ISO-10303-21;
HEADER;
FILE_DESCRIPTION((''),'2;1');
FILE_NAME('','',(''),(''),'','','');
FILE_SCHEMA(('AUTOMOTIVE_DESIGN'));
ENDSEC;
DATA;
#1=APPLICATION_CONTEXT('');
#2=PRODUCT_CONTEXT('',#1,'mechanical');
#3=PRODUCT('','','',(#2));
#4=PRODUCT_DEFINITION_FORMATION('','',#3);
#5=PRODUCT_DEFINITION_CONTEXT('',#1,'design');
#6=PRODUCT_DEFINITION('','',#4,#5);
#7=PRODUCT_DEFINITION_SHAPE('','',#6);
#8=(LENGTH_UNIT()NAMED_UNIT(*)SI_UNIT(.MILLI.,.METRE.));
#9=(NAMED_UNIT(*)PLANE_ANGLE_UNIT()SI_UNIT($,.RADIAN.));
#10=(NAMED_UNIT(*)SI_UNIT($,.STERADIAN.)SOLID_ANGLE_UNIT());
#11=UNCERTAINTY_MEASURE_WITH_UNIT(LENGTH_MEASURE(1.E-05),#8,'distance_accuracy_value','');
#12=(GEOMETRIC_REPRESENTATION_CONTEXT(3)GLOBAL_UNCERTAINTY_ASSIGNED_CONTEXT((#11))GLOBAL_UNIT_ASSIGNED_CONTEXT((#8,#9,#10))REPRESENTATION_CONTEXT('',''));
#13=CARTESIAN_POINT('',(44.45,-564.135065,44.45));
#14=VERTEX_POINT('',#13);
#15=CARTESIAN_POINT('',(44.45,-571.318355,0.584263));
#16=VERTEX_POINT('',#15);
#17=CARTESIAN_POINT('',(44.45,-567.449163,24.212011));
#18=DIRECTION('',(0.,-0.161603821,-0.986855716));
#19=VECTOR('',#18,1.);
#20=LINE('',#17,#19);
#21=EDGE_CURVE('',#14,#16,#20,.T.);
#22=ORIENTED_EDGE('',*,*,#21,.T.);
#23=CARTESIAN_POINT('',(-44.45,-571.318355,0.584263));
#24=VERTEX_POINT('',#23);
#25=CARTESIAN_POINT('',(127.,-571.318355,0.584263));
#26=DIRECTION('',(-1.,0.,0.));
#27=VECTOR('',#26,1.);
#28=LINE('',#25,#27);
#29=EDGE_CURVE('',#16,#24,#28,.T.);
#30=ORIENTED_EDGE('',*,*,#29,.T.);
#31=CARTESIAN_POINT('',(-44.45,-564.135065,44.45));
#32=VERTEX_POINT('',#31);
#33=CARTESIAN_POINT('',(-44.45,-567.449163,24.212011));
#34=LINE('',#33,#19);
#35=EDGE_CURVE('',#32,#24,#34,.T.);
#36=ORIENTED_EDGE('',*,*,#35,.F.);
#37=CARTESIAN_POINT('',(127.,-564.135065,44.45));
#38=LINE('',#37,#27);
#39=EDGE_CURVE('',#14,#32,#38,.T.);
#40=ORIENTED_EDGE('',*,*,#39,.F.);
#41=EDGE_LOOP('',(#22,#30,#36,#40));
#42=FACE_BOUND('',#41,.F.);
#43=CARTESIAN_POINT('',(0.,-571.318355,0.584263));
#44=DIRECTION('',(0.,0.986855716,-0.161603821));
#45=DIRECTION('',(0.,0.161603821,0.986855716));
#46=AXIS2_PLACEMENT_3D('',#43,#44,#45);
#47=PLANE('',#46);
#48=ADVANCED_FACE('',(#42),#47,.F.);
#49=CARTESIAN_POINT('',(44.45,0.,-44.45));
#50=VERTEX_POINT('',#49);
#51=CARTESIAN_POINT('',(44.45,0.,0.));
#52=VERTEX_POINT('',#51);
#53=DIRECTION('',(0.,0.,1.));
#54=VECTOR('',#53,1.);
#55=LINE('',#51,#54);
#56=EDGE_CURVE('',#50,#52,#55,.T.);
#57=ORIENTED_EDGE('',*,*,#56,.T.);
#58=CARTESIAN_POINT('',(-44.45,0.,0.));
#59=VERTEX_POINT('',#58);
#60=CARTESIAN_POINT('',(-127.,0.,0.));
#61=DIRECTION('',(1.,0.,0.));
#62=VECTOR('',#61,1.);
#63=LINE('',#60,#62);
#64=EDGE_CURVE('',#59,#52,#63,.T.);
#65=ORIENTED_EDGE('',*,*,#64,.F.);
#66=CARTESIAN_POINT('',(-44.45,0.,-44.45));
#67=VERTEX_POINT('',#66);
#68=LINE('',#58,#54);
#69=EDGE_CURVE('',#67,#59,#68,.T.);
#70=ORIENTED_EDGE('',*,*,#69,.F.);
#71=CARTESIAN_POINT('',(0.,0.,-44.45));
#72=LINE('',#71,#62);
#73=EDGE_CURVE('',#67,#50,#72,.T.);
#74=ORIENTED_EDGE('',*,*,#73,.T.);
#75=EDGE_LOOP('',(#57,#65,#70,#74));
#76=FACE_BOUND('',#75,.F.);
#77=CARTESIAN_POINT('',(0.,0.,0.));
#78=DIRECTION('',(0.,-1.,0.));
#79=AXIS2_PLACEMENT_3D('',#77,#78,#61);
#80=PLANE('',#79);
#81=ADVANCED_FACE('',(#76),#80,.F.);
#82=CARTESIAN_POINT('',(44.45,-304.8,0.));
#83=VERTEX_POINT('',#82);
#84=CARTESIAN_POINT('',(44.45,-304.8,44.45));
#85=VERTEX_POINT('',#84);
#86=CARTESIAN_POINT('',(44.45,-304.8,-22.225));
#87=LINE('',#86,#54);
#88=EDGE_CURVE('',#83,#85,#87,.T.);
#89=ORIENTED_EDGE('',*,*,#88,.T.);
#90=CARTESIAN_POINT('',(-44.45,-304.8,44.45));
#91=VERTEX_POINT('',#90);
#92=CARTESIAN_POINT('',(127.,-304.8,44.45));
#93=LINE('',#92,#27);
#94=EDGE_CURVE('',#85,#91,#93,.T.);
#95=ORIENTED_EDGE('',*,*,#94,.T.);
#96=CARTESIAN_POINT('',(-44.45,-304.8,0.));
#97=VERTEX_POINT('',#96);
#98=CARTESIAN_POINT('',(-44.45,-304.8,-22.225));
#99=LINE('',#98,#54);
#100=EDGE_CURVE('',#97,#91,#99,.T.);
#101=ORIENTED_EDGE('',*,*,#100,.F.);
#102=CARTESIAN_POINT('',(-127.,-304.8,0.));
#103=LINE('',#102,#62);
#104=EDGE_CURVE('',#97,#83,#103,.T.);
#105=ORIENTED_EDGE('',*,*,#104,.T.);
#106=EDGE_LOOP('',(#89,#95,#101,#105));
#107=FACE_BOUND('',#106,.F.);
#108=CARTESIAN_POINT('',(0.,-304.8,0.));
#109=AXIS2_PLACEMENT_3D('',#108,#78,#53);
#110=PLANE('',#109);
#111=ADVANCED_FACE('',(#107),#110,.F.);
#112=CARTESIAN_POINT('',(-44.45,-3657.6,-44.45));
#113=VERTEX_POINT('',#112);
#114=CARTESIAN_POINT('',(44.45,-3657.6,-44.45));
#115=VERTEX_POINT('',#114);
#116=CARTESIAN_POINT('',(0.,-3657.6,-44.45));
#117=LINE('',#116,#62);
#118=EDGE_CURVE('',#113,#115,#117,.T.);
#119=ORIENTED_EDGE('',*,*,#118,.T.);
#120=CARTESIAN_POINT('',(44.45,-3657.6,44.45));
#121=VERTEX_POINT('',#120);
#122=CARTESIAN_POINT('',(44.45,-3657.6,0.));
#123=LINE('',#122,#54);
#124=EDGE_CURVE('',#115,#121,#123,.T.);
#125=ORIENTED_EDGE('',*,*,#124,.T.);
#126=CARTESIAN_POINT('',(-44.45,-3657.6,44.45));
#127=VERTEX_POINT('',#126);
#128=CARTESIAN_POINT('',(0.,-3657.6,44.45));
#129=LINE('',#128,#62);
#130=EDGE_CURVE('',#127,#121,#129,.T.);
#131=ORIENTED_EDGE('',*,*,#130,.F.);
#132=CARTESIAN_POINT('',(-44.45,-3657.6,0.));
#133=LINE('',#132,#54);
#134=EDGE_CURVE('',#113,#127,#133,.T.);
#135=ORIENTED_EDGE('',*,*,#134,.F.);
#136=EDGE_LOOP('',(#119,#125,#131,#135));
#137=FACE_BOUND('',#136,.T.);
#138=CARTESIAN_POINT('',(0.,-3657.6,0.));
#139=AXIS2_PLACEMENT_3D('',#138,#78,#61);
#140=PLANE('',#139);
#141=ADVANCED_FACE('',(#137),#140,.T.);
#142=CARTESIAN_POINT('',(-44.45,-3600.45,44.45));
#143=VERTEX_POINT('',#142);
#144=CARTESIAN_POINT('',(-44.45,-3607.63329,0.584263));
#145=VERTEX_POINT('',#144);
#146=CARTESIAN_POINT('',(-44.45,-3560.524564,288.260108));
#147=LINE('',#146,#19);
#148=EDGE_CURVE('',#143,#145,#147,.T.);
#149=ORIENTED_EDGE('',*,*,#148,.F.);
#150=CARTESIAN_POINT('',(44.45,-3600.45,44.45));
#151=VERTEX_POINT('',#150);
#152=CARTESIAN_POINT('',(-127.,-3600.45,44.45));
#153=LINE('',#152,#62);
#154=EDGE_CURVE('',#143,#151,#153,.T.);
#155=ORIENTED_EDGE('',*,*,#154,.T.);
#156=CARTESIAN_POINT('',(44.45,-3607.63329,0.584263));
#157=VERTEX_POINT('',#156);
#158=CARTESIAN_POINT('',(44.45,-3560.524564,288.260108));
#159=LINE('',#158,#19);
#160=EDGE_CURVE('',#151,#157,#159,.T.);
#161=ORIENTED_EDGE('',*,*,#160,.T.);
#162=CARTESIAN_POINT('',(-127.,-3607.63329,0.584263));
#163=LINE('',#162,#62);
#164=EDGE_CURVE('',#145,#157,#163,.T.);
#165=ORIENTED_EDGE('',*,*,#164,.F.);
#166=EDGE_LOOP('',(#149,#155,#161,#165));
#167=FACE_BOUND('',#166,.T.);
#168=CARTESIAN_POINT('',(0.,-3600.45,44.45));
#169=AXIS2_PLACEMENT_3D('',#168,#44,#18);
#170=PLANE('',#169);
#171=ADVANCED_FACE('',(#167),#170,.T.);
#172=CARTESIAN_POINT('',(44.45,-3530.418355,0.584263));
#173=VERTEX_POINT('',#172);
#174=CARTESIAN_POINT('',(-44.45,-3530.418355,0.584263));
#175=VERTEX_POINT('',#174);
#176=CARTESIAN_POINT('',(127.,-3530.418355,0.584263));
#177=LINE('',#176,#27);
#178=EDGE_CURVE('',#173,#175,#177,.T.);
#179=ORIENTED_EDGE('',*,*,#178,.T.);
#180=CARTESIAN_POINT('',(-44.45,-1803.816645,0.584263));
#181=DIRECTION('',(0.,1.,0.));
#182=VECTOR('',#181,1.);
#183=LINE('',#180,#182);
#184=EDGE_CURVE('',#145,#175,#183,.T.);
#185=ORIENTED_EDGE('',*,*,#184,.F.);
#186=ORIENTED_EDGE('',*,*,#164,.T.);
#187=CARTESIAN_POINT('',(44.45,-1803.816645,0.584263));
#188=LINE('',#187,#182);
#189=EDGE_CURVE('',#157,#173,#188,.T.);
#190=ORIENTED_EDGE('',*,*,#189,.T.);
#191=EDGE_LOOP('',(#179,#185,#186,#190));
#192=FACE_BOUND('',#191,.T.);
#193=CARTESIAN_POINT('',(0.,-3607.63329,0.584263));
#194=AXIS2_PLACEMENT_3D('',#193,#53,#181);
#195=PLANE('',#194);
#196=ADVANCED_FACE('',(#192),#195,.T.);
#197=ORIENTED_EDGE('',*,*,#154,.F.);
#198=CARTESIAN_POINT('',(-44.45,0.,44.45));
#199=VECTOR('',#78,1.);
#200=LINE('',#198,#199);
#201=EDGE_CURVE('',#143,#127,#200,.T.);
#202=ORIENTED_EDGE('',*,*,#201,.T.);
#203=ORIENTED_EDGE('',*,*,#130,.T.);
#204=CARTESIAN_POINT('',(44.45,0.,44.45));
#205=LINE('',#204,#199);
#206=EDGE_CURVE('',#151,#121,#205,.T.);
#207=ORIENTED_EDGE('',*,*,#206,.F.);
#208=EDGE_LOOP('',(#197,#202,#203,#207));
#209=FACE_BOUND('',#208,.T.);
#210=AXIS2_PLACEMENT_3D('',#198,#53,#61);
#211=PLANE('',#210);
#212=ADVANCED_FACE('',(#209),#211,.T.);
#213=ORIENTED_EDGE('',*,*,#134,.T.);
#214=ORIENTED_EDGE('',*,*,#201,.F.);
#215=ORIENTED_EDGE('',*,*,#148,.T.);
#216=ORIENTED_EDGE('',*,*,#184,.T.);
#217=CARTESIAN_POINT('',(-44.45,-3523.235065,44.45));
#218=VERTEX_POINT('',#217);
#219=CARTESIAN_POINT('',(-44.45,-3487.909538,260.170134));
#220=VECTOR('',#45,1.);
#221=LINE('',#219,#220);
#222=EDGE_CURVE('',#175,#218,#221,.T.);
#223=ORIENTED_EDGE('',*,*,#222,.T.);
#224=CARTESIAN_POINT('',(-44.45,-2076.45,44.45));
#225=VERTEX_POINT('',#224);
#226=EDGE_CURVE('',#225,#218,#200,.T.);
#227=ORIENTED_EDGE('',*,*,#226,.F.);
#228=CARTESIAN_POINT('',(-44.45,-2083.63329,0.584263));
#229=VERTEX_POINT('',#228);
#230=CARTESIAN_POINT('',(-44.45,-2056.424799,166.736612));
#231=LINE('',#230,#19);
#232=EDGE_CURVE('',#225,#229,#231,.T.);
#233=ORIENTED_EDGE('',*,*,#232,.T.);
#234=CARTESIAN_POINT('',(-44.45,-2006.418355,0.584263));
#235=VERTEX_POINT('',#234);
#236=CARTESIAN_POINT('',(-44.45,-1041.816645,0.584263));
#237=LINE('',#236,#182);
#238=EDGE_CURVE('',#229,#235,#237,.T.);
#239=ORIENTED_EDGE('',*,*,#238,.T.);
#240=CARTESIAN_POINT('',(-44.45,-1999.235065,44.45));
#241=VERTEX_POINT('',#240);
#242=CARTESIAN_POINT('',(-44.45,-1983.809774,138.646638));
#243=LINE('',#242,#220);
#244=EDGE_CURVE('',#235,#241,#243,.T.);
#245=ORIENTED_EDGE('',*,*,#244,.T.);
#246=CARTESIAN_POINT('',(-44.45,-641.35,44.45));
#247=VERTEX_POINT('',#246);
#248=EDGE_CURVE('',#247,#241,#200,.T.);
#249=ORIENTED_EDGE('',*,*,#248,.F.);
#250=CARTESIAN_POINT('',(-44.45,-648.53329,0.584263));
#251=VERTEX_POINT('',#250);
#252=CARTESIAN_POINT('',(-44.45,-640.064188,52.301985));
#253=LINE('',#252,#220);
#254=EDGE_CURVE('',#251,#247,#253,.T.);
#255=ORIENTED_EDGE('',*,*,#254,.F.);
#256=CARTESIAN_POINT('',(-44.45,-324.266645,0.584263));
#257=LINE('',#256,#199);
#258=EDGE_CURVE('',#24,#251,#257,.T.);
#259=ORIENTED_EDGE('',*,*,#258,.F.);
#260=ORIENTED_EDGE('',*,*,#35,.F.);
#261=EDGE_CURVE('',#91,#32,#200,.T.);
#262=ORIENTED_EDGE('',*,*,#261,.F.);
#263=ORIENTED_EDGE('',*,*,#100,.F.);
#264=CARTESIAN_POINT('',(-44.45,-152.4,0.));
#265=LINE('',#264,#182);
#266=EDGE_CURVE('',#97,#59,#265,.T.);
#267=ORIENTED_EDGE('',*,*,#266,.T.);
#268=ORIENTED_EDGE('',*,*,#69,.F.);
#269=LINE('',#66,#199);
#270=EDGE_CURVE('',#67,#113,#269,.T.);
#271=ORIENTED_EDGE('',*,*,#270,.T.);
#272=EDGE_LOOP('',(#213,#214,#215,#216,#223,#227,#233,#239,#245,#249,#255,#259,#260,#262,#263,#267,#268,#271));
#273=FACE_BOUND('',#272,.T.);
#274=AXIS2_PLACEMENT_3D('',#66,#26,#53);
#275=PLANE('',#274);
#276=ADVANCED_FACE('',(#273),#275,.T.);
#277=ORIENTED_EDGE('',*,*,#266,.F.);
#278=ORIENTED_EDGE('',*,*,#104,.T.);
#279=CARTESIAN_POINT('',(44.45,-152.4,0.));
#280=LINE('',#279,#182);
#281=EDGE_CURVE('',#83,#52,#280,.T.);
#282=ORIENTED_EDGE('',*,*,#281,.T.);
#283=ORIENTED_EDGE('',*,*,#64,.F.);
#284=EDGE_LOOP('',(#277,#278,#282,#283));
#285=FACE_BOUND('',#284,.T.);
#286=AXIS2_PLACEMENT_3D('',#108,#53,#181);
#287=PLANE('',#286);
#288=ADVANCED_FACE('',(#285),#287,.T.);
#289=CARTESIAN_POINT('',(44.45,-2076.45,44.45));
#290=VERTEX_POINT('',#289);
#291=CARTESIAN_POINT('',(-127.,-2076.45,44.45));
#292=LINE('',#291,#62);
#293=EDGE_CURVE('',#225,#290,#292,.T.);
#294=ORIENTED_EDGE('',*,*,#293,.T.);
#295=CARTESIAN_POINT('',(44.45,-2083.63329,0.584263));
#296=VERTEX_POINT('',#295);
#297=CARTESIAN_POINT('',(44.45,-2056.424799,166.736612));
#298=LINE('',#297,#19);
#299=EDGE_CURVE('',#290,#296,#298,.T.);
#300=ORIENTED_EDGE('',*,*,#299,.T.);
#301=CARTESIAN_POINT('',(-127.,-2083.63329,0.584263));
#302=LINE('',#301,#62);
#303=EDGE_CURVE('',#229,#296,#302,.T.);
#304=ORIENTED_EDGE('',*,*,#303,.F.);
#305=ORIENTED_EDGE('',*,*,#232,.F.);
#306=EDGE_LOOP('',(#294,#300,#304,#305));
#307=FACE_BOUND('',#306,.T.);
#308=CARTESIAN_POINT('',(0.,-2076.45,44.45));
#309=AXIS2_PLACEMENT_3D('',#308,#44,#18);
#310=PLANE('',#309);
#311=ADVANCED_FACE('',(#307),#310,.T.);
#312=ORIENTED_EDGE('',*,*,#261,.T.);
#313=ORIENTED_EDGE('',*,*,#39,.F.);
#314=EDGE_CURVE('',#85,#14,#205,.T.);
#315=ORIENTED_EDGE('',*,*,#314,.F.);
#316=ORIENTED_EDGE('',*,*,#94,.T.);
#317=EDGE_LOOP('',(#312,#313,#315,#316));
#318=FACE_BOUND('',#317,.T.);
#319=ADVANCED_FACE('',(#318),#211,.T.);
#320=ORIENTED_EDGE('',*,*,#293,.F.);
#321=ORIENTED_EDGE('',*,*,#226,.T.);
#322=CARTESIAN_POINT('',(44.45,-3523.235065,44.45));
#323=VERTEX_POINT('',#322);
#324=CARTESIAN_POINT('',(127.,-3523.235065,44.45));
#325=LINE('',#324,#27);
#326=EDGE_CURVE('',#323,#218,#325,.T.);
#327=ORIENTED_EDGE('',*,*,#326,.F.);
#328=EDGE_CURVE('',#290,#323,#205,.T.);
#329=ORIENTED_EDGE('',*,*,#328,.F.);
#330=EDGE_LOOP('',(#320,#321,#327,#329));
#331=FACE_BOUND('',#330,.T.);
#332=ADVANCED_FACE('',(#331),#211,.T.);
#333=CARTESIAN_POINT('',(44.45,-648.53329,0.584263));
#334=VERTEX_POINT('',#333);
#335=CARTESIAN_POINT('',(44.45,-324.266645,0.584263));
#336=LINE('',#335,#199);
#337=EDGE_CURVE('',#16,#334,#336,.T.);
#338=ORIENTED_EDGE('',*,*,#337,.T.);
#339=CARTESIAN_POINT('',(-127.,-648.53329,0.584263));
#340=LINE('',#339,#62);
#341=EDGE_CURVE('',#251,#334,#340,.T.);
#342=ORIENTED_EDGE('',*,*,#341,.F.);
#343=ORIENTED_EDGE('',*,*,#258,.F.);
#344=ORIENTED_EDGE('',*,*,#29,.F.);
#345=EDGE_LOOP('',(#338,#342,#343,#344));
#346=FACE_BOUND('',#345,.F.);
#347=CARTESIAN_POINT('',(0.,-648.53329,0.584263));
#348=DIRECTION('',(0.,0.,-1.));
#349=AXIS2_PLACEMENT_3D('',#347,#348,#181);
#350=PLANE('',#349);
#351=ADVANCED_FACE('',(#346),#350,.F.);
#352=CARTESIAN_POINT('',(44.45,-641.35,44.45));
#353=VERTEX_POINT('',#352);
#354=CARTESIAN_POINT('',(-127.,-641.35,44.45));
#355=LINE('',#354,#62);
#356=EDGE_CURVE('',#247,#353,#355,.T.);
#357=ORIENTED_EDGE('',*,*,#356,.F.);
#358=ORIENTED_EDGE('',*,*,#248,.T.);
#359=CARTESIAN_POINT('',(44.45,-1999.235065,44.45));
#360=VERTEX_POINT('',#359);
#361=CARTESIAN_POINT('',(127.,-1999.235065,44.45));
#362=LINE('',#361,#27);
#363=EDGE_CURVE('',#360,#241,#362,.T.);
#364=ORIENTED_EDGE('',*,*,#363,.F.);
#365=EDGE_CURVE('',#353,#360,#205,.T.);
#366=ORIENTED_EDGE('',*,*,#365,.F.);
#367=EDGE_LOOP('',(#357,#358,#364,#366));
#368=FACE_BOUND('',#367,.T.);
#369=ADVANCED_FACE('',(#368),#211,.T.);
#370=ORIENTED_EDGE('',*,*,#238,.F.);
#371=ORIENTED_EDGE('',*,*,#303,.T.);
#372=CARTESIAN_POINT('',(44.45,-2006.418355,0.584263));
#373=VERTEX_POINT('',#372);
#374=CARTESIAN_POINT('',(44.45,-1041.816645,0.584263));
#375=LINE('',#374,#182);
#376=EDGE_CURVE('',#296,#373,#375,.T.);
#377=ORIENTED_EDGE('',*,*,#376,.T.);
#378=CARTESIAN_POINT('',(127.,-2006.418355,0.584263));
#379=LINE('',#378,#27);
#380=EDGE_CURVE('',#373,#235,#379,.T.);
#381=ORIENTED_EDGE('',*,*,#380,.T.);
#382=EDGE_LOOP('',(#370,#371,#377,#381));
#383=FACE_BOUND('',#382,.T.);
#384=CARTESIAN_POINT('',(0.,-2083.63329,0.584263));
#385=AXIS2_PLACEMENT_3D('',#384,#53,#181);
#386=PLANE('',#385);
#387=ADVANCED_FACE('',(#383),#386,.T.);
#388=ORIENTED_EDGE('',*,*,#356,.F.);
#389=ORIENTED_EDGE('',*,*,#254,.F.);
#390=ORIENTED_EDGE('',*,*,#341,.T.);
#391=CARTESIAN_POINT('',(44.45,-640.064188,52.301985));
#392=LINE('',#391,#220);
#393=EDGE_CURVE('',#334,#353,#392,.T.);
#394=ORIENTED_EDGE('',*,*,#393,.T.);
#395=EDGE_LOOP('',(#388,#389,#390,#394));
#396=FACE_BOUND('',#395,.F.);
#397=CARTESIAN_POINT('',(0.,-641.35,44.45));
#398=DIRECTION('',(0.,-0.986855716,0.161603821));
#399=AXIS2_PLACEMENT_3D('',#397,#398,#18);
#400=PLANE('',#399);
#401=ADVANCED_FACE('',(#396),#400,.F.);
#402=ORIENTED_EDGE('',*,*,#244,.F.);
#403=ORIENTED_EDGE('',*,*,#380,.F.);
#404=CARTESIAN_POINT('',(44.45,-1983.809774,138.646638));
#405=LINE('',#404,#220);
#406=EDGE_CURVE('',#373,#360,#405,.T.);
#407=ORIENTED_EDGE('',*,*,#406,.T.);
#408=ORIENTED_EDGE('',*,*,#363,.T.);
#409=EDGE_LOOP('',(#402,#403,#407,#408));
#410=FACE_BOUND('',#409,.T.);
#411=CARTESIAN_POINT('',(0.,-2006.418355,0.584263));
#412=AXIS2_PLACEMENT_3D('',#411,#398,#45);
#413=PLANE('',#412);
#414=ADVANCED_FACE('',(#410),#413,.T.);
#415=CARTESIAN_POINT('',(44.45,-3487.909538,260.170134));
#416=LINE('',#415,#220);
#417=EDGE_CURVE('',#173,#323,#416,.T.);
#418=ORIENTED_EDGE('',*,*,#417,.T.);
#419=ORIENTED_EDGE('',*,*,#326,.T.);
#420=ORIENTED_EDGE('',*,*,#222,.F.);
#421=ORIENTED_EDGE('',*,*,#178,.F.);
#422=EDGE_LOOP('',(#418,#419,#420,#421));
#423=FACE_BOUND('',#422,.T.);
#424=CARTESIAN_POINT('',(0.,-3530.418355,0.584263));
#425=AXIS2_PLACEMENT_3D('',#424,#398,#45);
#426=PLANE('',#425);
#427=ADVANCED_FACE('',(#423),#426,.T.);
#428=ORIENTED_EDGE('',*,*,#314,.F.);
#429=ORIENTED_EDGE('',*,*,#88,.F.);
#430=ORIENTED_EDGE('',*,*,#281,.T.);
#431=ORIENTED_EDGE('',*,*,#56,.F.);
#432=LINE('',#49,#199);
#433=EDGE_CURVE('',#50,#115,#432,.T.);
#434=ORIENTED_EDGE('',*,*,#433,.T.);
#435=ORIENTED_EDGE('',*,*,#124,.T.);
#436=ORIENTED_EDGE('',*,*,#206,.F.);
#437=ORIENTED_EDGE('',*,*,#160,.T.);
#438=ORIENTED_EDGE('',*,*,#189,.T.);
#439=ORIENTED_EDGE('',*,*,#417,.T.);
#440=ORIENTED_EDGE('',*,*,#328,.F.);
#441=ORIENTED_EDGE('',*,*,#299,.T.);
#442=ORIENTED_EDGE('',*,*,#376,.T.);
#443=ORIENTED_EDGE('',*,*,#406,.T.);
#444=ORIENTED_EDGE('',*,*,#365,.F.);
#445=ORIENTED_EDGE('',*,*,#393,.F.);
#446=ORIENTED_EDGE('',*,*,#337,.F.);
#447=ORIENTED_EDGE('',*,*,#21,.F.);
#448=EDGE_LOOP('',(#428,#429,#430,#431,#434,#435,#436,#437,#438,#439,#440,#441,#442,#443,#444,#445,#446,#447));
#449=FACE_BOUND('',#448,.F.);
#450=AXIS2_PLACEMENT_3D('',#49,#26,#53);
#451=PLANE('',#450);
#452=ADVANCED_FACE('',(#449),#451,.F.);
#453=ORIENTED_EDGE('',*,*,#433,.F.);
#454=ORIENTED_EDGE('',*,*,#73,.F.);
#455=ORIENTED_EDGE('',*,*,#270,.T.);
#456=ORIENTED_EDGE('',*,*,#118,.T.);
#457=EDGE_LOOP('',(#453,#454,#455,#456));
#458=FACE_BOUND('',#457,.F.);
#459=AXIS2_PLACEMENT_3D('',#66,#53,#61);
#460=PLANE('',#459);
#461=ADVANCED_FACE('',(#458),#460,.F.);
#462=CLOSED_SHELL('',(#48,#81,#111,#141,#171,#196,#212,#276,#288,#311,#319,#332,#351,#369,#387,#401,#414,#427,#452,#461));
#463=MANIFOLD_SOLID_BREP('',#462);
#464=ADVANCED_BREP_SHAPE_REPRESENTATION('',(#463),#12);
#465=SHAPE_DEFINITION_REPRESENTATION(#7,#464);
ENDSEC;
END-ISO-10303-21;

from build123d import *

# Parameters (mm, degrees)
F0_W     = 88.9
F0_H     = 88.9
F1_DEPTH = 3657.6
F2_W     = 304.8
F2_H     = 44.45
F3_DEPTH = 127


with BuildPart() as f1:
    # F0 (on Front) → F1 (new body)
    with BuildSketch(Plane.XZ):
        Rectangle(F0_W, F0_H)
    extrude(amount=F1_DEPTH)

    # F2 (on Right) → F3 (cut, symmetric)
    with BuildSketch(Plane.YZ):
        with Locations((-152.4, 22.225)):
            Rectangle(F2_W, F2_H)
        Polygon((-3523.2350649967, 44.45), (-3600.45, 44.45), (-3607.633289848, 0.5842634057), (-3530.4183548447, 0.5842634057), align=None)
        Polygon((-1999.2350649967, 44.45), (-2076.45, 44.45), (-2083.633289848, 0.5842634057), (-2006.4183548447, 0.5842634057), align=None)
        Polygon((-564.1350649967, 44.45), (-641.35, 44.45), (-648.533289848, 0.5842634057), (-571.3183548447, 0.5842634057), align=None)
    extrude(amount=F3_DEPTH, both=True, mode=Mode.SUBTRACT)


solid = f1.part
